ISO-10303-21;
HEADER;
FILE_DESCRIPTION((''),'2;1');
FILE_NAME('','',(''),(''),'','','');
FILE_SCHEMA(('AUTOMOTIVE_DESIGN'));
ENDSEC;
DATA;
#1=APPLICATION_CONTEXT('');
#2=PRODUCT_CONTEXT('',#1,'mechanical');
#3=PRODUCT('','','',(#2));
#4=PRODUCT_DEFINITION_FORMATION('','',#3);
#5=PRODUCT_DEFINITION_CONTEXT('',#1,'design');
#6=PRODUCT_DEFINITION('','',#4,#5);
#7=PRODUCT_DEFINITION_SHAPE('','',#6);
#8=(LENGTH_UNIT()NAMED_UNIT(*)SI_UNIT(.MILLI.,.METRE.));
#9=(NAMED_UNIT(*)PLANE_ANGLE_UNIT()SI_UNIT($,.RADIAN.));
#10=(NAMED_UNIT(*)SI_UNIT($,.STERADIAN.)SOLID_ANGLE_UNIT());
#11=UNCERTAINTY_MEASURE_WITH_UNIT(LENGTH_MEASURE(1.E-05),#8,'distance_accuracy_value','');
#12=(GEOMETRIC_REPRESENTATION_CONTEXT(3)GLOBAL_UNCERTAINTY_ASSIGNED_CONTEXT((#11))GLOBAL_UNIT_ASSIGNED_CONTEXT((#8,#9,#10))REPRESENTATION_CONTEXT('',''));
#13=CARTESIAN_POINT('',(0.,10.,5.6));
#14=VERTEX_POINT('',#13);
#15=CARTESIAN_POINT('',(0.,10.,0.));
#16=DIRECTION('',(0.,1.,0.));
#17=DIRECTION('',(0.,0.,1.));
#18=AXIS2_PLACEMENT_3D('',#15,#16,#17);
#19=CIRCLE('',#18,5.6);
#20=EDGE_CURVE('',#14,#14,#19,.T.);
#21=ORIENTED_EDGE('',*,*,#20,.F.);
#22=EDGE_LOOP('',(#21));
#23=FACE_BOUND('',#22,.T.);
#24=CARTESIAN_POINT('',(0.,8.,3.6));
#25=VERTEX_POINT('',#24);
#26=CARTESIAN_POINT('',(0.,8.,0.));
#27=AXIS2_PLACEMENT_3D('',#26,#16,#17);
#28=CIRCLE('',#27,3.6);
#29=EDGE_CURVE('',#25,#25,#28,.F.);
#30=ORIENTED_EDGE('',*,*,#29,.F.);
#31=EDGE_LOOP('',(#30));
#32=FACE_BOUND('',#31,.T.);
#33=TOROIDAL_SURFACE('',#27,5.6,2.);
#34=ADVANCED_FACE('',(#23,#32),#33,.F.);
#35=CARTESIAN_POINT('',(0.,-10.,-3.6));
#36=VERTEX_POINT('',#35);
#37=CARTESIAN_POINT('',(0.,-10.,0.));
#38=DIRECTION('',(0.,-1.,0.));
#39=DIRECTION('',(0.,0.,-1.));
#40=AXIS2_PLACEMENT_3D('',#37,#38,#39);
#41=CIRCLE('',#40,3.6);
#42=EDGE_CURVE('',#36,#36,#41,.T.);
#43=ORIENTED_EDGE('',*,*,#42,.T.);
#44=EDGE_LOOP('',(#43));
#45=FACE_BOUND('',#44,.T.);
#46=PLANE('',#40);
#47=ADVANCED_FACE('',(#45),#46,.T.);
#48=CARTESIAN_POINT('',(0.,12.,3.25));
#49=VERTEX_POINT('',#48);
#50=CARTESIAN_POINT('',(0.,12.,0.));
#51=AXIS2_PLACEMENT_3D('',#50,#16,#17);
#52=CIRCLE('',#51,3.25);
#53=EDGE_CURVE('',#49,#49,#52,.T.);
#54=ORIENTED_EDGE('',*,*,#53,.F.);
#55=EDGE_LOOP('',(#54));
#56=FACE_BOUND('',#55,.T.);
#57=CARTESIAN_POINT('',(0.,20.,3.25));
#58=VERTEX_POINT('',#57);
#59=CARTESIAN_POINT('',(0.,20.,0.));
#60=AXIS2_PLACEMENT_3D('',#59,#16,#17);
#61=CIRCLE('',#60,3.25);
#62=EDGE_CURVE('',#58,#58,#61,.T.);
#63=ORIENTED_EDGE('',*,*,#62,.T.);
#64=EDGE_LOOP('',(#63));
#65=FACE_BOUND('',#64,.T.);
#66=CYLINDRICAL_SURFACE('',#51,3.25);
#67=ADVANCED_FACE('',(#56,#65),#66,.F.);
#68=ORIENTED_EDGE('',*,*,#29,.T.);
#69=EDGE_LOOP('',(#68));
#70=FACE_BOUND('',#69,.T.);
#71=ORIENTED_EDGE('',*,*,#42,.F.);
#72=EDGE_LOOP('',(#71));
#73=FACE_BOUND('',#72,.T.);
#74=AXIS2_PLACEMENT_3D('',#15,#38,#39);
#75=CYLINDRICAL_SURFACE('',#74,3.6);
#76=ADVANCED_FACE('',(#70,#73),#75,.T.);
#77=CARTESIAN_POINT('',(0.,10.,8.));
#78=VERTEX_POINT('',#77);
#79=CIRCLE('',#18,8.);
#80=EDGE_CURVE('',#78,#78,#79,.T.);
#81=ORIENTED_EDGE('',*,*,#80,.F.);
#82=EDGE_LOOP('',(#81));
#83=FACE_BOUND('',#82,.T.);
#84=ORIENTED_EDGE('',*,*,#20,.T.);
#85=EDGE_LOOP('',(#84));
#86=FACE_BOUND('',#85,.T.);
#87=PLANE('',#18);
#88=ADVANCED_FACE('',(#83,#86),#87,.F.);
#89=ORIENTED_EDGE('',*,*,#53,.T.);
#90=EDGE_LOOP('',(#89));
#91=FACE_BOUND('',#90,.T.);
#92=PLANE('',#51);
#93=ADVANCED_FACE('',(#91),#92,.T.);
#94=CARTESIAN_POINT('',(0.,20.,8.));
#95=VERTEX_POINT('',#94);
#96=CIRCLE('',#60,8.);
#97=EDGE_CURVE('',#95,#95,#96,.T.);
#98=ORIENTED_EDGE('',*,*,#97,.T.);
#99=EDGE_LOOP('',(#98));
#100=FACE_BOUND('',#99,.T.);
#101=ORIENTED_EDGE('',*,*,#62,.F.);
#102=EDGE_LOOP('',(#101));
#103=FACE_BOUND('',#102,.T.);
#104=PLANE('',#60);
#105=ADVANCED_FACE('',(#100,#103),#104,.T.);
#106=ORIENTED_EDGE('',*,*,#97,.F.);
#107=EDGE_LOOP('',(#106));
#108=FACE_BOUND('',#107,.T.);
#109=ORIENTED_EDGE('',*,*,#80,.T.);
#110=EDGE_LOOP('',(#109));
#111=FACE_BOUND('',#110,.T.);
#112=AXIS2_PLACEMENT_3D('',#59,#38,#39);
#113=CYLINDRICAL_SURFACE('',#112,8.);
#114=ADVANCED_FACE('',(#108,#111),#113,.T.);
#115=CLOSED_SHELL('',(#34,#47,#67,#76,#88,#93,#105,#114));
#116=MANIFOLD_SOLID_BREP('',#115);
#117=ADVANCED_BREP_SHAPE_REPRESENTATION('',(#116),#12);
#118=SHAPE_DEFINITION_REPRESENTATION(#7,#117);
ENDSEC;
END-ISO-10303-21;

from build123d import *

# Parameters (mm, degrees)
SKETCH1_R           = 3.6
BOSS_EXTRUDE1_DEPTH = 10
SKETCH2_R           = 8
BOSS_EXTRUDE2_DEPTH = 10
SKETCH3_R           = 3.25
CUT_EXTRUDE1_DEPTH  = 8
BOSS_EXTRUDE3_START = 10
SKETCH4_R           = 3.6
BOSS_EXTRUDE3_DEPTH = 10
FILLET1_R           = 2


with BuildPart() as part:
    # Sketch1 → Boss-Extrude1 (new body)
    with BuildSketch(Plane(origin=(0, 0, 0), x_dir=(1, 0, 0), z_dir=(0, 1, 0))):
        with Locations(Location((0, 0, 0), (0, 0, 270))):
            Circle(SKETCH1_R)
    extrude(amount=BOSS_EXTRUDE1_DEPTH)

    # Sketch2 → Boss-Extrude2 (add)
    with BuildSketch(Plane(origin=(0, 10, 0), x_dir=(1, 0, 0), z_dir=(0, 1, 0))):
        with Locations(Location((0, 0, 0), (0, 0, 270))):
            Circle(SKETCH2_R)
    extrude(amount=BOSS_EXTRUDE2_DEPTH)

    # Sketch3 → Cut-Extrude1 (cut)
    with BuildSketch(Plane(origin=(0, 20, 0), x_dir=(1, 0, 0), z_dir=(0, 1, 0))):
        with Locations(Location((0, 0, 0), (0, 0, 270))):
            Circle(SKETCH3_R)
    extrude(amount=-CUT_EXTRUDE1_DEPTH, mode=Mode.SUBTRACT)

    # Sketch4 → Boss-Extrude3 (add)
    with BuildSketch(Plane.XZ.offset(BOSS_EXTRUDE3_START)):
        with Locations(Location((0, 0, 0), (0, 0, 270))):
            Circle(SKETCH4_R)
    extrude(amount=-BOSS_EXTRUDE3_DEPTH)

    # Fillet1
    fillet1_edges = [part.edges().sort_by_distance(p)[0] for p in [
        (0, 10, -3.6),
    ]]
    fillet(fillet1_edges, radius=FILLET1_R)


solid = part.part
